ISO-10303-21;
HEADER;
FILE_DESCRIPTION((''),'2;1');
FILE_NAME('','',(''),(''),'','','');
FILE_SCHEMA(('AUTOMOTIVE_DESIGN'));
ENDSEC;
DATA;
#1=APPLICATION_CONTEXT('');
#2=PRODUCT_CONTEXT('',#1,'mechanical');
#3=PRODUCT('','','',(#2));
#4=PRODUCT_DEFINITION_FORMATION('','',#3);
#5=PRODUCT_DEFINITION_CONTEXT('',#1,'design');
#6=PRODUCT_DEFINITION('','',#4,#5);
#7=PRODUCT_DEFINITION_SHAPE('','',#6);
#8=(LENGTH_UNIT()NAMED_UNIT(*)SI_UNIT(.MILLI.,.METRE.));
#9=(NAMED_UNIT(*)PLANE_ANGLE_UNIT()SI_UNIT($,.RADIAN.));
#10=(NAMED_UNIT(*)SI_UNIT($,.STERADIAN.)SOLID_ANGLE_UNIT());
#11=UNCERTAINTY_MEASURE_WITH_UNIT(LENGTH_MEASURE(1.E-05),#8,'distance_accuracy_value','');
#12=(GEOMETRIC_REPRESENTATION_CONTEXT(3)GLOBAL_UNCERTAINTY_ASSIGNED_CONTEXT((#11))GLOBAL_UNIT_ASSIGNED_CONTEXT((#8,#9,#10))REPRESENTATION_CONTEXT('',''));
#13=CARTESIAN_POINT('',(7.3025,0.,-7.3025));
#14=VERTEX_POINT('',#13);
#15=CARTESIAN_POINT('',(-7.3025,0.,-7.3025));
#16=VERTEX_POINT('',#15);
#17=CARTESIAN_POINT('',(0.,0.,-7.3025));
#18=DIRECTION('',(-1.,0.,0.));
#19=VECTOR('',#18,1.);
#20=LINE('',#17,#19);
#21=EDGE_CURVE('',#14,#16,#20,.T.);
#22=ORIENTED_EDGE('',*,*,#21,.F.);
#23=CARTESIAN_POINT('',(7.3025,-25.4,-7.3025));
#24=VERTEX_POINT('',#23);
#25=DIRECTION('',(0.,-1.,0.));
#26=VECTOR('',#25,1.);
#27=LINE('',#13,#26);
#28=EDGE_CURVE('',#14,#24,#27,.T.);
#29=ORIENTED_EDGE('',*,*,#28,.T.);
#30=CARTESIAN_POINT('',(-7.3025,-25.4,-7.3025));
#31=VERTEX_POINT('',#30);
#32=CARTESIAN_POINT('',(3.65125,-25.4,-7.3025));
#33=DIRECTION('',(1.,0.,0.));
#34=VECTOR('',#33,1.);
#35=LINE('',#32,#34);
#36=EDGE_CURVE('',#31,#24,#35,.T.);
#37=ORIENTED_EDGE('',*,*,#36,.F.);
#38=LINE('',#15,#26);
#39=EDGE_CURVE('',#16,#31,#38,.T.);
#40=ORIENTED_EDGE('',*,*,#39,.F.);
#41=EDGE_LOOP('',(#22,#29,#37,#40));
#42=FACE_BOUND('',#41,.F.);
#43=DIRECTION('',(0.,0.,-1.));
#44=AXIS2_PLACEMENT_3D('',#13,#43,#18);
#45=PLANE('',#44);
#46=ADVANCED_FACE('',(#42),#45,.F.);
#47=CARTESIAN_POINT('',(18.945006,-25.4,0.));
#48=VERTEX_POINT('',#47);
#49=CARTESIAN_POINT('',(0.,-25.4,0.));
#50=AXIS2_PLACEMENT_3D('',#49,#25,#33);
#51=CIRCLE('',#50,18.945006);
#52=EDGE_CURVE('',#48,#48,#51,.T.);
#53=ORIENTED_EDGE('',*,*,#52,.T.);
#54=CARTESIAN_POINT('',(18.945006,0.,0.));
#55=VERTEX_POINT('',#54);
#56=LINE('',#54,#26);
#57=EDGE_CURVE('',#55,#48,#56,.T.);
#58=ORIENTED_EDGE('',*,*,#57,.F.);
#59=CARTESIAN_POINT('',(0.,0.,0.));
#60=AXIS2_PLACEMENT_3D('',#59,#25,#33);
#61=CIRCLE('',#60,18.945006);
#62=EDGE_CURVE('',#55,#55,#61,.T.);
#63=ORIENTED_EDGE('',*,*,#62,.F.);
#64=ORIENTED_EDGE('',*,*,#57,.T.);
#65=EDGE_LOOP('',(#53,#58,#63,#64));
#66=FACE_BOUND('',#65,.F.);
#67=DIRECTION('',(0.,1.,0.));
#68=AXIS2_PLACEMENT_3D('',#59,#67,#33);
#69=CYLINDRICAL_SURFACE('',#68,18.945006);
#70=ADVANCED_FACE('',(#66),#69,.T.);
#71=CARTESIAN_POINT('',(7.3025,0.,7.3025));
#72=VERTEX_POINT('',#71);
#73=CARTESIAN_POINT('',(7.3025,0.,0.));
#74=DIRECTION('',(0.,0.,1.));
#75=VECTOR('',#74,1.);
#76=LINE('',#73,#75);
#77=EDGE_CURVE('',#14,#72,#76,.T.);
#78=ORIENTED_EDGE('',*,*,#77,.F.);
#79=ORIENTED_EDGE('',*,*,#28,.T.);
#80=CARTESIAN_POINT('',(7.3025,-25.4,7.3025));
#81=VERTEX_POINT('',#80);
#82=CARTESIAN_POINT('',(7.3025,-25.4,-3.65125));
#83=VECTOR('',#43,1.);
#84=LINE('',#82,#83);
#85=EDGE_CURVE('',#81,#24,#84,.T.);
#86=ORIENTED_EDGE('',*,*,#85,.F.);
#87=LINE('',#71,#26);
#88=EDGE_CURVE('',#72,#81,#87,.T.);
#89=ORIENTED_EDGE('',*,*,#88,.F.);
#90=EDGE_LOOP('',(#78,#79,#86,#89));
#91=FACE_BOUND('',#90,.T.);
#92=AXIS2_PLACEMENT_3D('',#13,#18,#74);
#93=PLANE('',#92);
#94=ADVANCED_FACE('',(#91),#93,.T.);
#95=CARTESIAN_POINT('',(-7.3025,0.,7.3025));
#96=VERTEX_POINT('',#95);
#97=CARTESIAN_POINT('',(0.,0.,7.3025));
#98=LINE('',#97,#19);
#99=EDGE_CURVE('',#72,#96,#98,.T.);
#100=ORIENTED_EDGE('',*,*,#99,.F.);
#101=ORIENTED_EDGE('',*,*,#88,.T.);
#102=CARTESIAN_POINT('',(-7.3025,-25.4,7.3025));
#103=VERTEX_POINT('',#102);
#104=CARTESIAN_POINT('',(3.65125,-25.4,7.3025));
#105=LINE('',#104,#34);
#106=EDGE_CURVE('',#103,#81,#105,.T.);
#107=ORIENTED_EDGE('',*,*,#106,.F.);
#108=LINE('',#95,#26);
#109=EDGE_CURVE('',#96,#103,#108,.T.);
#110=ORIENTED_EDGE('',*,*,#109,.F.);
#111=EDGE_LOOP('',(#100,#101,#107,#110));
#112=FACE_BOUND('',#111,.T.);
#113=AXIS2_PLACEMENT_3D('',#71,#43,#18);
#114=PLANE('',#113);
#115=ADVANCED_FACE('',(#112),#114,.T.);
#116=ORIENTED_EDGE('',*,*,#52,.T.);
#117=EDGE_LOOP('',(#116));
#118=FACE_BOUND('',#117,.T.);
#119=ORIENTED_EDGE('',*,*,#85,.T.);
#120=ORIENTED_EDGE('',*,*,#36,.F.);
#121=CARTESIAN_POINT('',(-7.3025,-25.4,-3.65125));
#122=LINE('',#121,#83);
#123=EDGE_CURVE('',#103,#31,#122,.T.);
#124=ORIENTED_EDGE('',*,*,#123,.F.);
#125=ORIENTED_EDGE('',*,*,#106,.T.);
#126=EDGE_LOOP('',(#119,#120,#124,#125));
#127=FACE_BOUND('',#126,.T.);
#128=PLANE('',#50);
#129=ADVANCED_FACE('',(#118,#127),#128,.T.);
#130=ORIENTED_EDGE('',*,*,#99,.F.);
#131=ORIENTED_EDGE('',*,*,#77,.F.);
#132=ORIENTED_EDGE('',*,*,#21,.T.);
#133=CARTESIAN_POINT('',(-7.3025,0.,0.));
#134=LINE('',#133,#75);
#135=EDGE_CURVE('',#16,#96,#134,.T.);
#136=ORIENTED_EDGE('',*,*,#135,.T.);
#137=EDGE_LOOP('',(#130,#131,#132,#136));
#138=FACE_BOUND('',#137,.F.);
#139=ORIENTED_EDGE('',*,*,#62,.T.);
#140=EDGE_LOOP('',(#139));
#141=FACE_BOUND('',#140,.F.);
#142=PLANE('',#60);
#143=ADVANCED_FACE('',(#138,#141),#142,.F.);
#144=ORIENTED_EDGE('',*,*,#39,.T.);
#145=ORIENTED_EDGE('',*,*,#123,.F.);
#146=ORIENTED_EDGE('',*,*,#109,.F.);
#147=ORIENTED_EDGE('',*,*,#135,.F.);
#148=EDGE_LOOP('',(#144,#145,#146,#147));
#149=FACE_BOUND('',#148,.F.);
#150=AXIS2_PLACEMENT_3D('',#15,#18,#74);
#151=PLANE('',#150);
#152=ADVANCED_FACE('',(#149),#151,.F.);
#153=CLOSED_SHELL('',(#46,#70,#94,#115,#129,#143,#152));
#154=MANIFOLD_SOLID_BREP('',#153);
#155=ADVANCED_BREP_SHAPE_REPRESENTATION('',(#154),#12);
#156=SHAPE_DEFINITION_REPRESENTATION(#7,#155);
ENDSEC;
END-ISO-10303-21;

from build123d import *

# Parameters (mm, degrees)
F0_R     = 18.945006
F1_DEPTH = 25.4
F2_W     = 14.605
F2_H     = 14.605
F3_DEPTH = 25.401


with BuildPart() as f1:
    # F0 (on Front) → F1 (new body)
    with BuildSketch(Plane.XZ):
        Circle(F0_R)
    extrude(amount=F1_DEPTH)

    # F2 (on face) → F3 (cut, through all)
    with BuildSketch(Plane(origin=(0, 0, 0), x_dir=(-1, 0, 0), z_dir=(0, 1, 0))):
        Rectangle(F2_W, F2_H)
    extrude(amount=-F3_DEPTH, mode=Mode.SUBTRACT)


solid = f1.part
